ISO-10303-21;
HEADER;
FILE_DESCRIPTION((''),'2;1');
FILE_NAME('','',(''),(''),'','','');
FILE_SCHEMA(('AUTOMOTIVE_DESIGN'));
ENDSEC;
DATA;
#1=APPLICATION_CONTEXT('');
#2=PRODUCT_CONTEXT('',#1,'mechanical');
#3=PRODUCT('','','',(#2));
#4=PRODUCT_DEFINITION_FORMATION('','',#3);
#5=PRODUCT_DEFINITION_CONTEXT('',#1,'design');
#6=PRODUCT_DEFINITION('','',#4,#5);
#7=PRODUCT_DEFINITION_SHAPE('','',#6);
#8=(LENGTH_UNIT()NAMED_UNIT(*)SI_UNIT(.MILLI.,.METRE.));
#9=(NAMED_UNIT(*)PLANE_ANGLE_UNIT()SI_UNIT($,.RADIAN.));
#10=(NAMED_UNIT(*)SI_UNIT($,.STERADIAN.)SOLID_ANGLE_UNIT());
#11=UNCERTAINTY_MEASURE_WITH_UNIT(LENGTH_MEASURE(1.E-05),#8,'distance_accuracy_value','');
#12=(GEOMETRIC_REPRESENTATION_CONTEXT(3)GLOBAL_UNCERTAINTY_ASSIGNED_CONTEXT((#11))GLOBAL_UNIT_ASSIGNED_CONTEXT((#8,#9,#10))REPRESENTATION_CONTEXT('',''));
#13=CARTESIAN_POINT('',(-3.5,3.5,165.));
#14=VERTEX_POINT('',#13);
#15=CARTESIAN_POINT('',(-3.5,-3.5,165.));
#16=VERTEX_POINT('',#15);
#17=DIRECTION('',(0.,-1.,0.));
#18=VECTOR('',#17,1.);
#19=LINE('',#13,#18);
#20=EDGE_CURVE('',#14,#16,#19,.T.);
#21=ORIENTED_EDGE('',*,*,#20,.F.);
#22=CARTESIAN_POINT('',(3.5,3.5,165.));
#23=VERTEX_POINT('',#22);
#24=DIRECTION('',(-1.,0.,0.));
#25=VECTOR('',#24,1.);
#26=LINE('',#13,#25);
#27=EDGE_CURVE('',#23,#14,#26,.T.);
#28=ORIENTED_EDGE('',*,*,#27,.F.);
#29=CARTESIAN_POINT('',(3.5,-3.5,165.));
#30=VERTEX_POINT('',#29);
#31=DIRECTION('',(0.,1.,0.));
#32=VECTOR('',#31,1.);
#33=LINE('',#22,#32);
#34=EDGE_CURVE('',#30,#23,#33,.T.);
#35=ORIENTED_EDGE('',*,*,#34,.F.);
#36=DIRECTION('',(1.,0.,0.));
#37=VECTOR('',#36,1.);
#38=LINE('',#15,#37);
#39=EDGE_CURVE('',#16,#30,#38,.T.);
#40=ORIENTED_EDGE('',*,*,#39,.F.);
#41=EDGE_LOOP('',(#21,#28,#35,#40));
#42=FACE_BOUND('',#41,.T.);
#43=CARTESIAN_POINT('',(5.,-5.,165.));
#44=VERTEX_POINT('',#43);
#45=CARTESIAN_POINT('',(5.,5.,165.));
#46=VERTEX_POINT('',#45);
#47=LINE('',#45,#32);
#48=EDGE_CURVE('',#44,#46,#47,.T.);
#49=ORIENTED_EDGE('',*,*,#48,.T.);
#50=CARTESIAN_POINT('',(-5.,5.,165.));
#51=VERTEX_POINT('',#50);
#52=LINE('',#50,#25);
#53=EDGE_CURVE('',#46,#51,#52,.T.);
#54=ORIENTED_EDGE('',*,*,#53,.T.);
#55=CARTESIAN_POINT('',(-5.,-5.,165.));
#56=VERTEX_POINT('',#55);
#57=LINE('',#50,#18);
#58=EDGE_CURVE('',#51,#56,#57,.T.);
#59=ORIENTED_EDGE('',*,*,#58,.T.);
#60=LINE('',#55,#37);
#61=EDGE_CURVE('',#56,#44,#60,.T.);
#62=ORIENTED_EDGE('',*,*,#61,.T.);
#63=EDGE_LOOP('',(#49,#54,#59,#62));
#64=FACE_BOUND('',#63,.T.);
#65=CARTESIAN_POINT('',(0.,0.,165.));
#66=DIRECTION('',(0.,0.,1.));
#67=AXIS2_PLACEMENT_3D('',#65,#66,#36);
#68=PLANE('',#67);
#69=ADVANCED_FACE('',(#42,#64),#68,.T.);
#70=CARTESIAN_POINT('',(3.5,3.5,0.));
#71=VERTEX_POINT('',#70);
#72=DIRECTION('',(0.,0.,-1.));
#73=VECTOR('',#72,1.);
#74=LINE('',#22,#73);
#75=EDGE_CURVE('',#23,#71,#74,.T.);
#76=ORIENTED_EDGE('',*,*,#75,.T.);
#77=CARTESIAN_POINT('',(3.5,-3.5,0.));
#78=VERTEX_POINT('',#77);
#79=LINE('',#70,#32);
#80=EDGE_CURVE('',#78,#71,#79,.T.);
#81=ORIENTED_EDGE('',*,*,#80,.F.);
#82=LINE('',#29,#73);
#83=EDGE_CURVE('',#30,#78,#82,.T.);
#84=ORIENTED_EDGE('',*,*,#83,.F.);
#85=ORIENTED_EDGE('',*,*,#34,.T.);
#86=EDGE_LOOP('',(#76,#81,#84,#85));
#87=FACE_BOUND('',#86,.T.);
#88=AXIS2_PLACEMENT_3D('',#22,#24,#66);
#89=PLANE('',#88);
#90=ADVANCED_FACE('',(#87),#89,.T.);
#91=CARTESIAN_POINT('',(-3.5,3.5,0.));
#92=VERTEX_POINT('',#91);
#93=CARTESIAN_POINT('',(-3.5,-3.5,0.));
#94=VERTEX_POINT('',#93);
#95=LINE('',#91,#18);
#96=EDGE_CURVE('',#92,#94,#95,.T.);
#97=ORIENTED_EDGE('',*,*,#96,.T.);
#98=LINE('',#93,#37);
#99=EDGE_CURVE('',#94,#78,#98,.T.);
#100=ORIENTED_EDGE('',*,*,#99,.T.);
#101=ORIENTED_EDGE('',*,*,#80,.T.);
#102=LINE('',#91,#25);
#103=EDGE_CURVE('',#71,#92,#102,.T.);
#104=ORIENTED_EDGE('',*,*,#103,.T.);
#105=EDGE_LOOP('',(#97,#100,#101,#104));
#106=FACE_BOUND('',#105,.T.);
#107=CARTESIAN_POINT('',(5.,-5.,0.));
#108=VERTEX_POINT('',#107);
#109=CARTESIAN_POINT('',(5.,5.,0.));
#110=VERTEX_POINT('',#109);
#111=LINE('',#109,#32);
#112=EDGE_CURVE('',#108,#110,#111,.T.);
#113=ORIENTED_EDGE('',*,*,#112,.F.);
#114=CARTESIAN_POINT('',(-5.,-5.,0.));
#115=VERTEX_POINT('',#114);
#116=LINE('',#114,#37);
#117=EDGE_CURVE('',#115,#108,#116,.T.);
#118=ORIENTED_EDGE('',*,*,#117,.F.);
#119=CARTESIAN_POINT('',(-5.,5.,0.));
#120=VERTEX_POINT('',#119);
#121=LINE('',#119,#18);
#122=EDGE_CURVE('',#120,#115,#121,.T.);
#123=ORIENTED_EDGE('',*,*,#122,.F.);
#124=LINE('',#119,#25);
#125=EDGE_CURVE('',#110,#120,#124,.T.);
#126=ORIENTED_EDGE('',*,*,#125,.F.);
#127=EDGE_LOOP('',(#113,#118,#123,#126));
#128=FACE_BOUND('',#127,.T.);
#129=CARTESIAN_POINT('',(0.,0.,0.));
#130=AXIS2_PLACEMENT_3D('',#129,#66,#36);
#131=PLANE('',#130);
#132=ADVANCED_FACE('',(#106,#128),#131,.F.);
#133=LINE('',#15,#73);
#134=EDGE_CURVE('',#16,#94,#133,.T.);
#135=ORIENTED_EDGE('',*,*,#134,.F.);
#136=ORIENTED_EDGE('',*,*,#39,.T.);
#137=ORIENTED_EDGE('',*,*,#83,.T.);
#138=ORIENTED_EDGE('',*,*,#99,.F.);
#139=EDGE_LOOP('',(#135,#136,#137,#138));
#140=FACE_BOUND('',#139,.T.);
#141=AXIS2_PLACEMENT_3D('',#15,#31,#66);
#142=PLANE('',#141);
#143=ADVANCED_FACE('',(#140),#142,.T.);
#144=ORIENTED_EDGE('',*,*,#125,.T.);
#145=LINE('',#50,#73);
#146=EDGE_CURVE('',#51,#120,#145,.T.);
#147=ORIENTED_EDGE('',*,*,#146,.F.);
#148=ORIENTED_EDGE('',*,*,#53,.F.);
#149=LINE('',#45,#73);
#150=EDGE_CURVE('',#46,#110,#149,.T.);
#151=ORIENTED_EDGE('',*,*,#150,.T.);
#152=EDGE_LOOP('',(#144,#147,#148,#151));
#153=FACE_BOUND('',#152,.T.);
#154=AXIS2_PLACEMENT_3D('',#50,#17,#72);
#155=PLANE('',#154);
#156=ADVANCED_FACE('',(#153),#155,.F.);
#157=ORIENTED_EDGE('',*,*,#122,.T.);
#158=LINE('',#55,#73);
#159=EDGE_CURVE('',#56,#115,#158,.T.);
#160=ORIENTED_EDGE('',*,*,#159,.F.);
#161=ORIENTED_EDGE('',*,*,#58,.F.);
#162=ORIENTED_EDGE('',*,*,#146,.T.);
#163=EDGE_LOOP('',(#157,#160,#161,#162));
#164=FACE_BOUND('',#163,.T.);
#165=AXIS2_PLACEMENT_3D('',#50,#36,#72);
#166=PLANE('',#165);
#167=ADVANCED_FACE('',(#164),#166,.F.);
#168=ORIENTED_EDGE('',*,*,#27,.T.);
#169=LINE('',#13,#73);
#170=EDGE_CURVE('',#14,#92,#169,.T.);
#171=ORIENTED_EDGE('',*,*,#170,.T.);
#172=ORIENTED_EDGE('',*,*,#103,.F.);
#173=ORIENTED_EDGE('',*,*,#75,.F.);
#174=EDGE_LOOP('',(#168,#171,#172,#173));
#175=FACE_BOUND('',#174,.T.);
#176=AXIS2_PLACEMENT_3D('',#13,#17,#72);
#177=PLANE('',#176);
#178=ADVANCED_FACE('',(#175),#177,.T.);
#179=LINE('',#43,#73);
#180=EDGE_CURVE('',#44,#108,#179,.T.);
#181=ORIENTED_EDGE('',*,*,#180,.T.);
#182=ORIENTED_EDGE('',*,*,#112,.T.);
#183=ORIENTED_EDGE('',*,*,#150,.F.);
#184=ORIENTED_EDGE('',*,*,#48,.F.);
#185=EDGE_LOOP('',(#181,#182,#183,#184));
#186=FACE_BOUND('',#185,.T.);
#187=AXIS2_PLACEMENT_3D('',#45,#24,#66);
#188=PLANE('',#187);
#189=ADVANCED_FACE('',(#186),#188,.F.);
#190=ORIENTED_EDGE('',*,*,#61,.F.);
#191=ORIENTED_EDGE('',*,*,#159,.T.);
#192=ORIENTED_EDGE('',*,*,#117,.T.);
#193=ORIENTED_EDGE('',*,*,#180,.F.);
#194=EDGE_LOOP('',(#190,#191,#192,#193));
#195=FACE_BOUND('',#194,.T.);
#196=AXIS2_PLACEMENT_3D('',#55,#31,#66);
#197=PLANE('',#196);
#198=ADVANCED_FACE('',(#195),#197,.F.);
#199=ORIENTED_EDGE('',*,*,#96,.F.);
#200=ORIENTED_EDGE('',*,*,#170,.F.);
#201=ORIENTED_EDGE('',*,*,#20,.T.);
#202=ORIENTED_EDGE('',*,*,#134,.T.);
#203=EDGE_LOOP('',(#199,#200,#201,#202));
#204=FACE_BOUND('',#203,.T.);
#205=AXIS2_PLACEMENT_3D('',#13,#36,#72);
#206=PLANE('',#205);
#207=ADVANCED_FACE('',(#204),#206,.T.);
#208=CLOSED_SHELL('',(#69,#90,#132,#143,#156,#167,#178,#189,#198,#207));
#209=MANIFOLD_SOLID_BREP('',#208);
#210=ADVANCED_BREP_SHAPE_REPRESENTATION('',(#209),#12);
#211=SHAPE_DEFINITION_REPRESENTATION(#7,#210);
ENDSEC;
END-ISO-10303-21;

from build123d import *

# Parameters (mm, degrees)
SKETCH_1_W      = 10
SKETCH_1_H      = 10
SKETCH_1_W_2    = 7
SKETCH_1_H_2    = 7
EXTRUDE_1_DEPTH = 165


with BuildPart() as part:
    # 草图1 → 凸台-拉伸1 (new body)
    with BuildSketch(Plane.XY):
        Rectangle(SKETCH_1_W, SKETCH_1_H)
        Rectangle(SKETCH_1_W_2, SKETCH_1_H_2, mode=Mode.SUBTRACT)
    extrude(amount=EXTRUDE_1_DEPTH)


solid = part.part
